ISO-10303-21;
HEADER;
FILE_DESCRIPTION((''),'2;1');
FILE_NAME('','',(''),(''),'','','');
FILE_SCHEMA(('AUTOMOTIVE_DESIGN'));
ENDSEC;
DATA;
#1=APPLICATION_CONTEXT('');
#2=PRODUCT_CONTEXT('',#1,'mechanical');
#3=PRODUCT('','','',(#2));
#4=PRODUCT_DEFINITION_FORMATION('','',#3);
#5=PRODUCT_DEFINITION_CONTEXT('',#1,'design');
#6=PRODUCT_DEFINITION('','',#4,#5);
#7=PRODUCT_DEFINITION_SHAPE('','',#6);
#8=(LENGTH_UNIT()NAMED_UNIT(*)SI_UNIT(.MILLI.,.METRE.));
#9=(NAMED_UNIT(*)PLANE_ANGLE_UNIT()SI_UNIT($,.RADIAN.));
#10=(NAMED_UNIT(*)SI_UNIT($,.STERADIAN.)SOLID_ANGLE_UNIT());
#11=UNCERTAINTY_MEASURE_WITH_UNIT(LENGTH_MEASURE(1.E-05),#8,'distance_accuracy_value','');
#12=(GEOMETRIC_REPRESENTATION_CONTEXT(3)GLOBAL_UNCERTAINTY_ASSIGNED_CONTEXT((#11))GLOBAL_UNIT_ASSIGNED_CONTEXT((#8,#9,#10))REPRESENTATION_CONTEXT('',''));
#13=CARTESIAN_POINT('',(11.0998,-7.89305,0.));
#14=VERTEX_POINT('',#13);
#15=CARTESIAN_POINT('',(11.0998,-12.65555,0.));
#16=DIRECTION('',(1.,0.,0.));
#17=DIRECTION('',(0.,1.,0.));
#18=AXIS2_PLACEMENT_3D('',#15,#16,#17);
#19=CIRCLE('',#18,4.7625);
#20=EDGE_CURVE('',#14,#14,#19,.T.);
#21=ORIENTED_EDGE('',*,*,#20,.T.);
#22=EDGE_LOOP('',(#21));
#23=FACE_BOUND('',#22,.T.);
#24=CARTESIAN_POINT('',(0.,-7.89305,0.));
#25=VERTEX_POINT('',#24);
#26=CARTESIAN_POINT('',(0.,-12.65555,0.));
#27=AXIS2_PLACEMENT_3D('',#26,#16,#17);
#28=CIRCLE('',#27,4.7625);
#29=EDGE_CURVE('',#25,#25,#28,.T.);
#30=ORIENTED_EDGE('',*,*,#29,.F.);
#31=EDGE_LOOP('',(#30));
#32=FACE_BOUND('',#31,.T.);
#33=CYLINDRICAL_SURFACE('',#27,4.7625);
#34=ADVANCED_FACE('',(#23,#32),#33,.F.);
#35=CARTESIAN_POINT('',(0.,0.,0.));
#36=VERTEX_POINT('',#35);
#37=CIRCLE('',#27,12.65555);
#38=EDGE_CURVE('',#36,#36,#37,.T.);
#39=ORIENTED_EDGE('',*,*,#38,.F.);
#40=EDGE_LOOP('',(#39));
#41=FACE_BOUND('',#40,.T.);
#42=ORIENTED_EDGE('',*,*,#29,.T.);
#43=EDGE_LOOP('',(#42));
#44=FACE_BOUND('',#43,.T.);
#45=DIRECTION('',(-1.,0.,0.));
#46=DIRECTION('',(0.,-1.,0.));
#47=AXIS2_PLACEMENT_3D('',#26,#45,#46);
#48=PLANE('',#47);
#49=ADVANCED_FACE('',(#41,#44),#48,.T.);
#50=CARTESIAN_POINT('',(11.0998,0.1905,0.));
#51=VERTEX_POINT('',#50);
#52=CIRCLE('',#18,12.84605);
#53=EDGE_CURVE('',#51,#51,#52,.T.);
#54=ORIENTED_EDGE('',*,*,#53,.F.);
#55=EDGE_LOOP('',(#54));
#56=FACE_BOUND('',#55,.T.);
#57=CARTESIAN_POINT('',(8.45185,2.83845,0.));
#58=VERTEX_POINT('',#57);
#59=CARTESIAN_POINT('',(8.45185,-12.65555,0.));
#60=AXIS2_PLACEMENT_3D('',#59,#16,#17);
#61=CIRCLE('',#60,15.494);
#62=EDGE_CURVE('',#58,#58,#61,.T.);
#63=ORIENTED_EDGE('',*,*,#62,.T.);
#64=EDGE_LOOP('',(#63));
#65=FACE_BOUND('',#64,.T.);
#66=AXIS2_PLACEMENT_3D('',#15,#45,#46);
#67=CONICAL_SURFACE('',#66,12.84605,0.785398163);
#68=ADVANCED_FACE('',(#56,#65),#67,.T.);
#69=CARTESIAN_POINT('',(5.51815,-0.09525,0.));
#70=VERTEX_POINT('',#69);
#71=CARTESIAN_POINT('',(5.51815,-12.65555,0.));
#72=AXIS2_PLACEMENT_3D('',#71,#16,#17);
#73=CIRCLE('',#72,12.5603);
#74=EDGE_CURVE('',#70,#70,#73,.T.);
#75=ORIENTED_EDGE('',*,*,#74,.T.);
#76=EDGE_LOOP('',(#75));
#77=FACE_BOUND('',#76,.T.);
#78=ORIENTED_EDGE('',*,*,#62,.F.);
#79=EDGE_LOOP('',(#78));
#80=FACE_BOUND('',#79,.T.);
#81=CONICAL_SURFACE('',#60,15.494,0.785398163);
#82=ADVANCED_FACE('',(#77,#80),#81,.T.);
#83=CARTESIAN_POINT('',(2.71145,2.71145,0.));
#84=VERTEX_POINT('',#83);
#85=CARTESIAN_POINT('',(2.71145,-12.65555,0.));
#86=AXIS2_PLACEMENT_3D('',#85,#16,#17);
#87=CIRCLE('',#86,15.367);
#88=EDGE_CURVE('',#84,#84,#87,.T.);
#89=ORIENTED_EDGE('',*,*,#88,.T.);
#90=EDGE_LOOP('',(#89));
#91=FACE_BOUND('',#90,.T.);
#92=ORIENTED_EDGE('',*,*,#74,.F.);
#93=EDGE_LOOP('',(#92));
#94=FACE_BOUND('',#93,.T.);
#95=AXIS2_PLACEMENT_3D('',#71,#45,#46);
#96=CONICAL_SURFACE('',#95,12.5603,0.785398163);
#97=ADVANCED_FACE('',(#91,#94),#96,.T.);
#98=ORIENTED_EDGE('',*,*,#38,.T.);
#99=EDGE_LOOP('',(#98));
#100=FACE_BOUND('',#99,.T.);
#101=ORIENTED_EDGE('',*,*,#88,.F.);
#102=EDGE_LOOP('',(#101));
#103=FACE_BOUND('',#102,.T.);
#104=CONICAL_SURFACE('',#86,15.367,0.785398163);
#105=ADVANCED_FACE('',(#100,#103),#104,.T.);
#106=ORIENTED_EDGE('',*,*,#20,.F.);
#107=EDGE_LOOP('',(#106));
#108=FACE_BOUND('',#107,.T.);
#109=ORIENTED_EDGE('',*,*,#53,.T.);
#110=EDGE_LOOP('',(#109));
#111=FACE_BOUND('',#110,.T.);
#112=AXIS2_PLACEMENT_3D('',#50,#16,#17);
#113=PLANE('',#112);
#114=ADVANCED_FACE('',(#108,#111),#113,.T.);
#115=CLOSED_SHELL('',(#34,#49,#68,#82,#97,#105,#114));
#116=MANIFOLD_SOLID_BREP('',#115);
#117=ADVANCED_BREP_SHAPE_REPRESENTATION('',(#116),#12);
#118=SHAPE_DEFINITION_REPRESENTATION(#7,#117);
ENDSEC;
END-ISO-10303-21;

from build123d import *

# Parameters (mm, degrees)
SKETCH2_R          = 4.7625
CUT_EXTRUDE1_DEPTH = 34.995099077


with BuildPart() as part:
    # Sketch1 → Revolve1 (revolve)
    with BuildSketch(Plane.XY):
        Polygon((0, 0), (2.71145, 2.71145), (5.51815, -0.09525), (8.45185, 2.83845), (11.0998, 0.1905), (11.0998, -12.65555), (0, -12.65555), align=None)
    revolve(axis=Axis((11.0998, -12.65555, 0), (-1, 0, 0)))

    # Sketch2 → Cut-Extrude1 (cut, through all)
    with BuildSketch(Plane(origin=(11.0998, 0, 0), x_dir=(0, 0, -1), z_dir=(1, 0, 0))):
        with Locations(Location((0, -12.65555, 0), (0, 0, 90))):
            Circle(SKETCH2_R)
    extrude(amount=-CUT_EXTRUDE1_DEPTH, mode=Mode.SUBTRACT)


solid = part.part
